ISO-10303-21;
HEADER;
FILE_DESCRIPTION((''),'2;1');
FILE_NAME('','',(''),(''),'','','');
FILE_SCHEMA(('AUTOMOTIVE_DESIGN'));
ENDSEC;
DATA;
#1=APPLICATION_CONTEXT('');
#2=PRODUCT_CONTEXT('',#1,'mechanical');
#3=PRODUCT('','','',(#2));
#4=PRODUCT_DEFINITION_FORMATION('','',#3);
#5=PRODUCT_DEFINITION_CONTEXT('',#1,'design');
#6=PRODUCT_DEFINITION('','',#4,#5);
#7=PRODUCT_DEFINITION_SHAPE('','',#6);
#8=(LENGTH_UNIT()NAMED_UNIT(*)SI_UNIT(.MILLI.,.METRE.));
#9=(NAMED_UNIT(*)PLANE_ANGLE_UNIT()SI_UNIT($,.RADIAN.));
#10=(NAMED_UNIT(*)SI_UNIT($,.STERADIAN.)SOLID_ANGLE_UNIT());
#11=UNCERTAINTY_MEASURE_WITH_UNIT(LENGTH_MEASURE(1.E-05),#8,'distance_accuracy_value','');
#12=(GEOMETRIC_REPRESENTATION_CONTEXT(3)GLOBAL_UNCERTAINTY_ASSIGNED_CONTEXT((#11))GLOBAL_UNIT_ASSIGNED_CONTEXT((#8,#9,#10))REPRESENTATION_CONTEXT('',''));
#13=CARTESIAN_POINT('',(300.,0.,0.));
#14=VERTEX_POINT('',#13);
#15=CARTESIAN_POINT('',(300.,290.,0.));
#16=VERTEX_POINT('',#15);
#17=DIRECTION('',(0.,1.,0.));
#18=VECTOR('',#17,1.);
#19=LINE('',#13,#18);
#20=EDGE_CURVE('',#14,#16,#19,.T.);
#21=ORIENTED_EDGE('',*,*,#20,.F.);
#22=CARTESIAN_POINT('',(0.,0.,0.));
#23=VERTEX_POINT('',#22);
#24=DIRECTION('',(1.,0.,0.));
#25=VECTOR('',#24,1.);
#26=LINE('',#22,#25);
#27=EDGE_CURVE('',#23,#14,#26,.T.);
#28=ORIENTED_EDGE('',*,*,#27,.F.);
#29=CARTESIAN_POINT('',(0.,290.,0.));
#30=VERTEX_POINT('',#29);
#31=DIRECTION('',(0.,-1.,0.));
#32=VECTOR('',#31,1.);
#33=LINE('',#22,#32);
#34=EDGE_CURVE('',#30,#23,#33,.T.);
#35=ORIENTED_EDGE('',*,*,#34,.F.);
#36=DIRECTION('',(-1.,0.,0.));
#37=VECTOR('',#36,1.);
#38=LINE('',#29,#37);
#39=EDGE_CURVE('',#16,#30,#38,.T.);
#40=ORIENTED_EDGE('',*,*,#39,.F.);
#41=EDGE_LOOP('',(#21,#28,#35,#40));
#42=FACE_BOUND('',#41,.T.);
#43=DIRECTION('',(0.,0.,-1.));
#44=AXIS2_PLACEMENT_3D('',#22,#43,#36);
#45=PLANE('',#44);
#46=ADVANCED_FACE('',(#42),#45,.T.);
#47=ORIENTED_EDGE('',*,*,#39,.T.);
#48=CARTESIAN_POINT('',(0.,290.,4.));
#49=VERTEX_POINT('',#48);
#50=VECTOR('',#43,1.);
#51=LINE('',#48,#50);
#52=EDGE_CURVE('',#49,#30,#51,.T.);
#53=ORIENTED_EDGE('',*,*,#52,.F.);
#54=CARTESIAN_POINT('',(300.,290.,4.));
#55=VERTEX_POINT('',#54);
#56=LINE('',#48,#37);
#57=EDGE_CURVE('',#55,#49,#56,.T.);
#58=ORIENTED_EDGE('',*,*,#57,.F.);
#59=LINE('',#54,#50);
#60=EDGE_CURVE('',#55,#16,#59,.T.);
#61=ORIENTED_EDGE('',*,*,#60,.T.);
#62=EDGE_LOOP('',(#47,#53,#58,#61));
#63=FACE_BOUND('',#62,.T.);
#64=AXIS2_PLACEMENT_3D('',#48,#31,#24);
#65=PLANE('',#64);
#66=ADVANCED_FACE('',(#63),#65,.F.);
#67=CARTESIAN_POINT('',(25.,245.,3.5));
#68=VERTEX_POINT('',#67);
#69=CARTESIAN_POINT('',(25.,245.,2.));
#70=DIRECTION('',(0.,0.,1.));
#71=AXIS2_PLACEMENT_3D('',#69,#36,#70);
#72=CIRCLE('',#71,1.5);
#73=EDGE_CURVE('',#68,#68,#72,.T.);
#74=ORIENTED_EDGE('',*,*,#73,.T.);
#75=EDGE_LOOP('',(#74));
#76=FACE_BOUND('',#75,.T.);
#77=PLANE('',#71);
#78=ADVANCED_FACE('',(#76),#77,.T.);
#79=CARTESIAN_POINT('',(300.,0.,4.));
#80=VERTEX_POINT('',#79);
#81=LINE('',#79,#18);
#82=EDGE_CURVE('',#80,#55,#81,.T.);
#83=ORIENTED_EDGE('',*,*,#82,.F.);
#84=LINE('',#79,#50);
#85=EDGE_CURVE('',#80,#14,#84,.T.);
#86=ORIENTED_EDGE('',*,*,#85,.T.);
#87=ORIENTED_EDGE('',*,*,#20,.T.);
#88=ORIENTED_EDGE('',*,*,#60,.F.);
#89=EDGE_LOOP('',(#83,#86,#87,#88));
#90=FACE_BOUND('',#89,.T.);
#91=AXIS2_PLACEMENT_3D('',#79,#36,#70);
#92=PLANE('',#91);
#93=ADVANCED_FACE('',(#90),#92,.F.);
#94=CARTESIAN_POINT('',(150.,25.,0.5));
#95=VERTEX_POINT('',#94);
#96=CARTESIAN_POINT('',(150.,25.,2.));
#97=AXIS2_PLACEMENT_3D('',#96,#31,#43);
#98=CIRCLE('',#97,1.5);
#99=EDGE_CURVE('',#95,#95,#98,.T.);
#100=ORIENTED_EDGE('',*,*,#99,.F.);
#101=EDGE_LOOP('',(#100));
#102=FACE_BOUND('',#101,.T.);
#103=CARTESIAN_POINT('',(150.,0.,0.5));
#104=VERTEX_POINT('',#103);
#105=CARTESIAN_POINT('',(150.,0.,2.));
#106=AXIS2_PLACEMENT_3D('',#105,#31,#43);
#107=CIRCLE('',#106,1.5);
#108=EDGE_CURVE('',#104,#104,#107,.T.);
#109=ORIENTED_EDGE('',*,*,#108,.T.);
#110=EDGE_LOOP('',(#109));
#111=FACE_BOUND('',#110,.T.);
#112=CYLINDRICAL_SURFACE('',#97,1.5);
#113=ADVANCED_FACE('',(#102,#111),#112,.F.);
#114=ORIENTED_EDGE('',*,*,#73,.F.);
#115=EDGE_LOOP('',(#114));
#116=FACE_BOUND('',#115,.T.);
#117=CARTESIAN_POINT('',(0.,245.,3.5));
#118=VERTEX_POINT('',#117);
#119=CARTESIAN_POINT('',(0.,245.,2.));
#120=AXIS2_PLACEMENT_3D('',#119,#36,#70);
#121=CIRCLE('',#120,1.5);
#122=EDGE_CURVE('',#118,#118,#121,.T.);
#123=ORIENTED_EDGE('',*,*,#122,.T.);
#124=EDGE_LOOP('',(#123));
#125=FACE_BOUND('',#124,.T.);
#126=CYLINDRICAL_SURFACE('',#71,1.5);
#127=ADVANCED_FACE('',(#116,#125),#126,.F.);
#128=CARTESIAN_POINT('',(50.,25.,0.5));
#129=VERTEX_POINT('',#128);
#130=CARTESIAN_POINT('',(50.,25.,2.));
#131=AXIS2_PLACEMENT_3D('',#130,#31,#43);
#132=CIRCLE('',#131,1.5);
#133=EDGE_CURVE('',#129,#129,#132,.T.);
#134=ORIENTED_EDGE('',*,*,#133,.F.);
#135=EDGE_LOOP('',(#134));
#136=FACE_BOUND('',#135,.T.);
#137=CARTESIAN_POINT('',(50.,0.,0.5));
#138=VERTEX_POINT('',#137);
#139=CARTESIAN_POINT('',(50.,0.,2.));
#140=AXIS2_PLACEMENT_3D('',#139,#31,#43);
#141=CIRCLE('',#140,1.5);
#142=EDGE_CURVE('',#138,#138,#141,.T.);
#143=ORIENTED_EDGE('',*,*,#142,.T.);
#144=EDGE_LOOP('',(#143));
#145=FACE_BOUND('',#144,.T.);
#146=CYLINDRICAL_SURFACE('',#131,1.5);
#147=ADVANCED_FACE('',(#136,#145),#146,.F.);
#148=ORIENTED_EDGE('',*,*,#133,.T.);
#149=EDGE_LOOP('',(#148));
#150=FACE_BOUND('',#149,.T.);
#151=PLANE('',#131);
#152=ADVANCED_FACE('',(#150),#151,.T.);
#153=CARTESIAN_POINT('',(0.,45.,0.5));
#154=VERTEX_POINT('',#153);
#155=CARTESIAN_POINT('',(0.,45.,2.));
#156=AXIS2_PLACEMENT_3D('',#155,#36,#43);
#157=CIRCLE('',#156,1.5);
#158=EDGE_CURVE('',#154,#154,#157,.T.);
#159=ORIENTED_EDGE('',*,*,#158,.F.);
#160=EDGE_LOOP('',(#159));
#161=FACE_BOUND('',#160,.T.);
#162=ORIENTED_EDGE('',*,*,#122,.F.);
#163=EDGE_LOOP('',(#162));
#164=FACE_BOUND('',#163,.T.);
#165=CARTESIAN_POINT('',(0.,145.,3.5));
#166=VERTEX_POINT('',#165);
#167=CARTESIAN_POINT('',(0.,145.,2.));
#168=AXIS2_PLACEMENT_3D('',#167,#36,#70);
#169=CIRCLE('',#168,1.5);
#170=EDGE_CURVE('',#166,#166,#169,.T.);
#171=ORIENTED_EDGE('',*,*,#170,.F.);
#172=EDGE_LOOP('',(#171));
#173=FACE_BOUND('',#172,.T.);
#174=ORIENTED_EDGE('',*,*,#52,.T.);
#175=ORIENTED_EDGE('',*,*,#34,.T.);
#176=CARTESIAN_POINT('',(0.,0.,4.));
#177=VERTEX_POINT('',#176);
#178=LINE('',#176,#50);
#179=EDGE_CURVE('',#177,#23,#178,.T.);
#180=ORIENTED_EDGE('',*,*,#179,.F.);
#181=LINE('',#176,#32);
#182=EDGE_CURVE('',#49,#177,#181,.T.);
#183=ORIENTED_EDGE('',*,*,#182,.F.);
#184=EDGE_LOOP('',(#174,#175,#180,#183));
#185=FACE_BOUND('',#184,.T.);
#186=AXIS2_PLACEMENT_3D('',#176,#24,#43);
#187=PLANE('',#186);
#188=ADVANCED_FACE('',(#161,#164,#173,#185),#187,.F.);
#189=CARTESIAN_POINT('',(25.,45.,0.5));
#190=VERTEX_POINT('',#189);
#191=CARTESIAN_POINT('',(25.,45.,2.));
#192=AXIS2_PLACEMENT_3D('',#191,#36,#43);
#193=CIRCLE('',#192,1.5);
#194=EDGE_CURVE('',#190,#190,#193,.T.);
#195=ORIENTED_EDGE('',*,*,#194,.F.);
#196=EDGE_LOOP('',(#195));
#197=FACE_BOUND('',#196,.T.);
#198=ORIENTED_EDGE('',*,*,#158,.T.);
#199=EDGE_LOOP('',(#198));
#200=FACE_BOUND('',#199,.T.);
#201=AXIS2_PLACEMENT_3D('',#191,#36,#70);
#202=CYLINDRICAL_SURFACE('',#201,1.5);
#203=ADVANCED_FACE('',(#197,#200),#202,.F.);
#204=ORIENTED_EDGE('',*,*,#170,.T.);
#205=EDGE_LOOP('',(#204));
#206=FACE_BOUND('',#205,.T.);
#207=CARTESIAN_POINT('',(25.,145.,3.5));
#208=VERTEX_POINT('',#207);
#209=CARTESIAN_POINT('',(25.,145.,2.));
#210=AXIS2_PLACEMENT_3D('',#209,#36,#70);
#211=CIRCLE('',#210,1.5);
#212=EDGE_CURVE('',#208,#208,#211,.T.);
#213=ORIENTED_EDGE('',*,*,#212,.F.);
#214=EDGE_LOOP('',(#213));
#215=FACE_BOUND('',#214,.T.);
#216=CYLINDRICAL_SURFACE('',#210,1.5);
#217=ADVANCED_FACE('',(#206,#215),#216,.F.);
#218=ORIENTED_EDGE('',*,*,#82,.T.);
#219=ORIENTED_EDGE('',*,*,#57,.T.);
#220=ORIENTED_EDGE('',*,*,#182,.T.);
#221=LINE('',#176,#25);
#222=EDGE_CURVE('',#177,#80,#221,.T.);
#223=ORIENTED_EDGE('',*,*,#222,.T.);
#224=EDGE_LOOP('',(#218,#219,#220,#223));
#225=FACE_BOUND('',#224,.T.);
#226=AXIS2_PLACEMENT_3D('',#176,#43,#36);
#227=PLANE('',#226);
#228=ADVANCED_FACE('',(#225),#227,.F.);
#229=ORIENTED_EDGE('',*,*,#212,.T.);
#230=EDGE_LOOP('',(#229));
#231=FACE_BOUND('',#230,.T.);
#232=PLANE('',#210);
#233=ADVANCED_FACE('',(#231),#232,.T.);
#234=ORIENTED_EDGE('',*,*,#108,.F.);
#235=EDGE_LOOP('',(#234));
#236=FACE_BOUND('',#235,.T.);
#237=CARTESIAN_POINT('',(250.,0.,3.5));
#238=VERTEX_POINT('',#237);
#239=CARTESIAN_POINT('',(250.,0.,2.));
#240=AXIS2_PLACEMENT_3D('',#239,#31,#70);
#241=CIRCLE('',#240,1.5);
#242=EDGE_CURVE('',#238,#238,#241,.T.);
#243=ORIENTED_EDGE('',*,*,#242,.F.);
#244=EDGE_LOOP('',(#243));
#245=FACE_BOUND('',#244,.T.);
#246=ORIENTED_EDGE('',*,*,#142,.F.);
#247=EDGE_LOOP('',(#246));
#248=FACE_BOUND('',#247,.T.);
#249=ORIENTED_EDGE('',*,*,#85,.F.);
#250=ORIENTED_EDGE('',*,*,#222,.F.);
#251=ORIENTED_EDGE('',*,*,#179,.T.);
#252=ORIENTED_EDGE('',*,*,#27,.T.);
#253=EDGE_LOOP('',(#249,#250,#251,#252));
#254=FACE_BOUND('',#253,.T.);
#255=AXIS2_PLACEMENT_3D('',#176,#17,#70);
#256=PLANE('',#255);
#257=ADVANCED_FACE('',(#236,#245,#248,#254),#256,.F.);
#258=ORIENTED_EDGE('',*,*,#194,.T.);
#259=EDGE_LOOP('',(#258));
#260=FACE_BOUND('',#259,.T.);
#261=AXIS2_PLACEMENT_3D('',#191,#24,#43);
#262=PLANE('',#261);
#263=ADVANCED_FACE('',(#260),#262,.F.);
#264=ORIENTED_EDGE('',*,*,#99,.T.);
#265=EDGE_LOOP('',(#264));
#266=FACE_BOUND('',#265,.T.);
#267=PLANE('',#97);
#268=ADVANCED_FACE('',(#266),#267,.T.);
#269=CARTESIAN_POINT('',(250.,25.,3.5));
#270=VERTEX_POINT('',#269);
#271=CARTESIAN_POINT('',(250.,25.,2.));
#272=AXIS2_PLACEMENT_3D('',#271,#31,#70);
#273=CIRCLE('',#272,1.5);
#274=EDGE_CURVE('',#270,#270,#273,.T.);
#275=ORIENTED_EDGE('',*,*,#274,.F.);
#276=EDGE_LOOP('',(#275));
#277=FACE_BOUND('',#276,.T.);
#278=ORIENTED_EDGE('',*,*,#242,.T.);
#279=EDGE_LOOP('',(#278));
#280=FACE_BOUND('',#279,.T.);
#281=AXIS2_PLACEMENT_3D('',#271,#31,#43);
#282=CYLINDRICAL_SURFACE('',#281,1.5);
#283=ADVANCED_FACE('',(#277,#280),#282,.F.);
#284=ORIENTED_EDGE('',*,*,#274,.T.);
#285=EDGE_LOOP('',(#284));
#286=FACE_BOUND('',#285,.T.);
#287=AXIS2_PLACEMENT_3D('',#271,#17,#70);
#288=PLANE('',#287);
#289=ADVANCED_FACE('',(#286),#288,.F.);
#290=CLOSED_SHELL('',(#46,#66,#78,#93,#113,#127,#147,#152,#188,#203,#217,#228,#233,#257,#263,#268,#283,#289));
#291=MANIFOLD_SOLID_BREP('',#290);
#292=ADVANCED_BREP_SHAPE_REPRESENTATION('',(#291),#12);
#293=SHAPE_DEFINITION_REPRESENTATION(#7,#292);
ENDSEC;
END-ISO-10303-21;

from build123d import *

# Parameters (mm, degrees)
SKETCH1_W           = 300
SKETCH1_H           = 300
BOSS_EXTRUDE1_DEPTH = 4
SKETCH2_R           = 1.5
CUT_EXTRUDE1_DEPTH  = 25
SKETCH3_W           = 300
SKETCH3_H           = 10
CUT_EXTRUDE2_DEPTH  = 5
SKETCH4_R           = 1.5
CUT_EXTRUDE3_DEPTH  = 25


with BuildPart() as part:
    # Sketch1 → Boss-Extrude1 (new body)
    with BuildSketch(Plane.XY):
        with Locations((150, 150)):
            Rectangle(SKETCH1_W, SKETCH1_H)
    extrude(amount=BOSS_EXTRUDE1_DEPTH)

    # Sketch2 → Cut-Extrude1 (cut)
    with BuildSketch(Plane(origin=(0, 0, 0), x_dir=(-1, 0, 0), z_dir=(0, -1, 0))):
        with Locations((-50, -2)):
            Circle(SKETCH2_R)
        with Locations((-250, -2)):
            Circle(SKETCH2_R)
        with Locations((-150, -2)):
            Circle(SKETCH2_R)
    extrude(amount=-CUT_EXTRUDE1_DEPTH, mode=Mode.SUBTRACT)

    # Sketch3 → Cut-Extrude2 (cut, through all)
    with BuildSketch(Plane(origin=(0, 0, 0), x_dir=(-1, 0, 0), z_dir=(0, 0, -1))):
        with Locations((-150, 295)):
            Rectangle(SKETCH3_W, SKETCH3_H)
    extrude(amount=-CUT_EXTRUDE2_DEPTH, mode=Mode.SUBTRACT)

    # Sketch4 → Cut-Extrude3 (cut)
    with BuildSketch(Plane.ZY):
        with Locations((2, 245)):
            Circle(SKETCH4_R)
        with Locations((2, 45)):
            Circle(SKETCH4_R)
        with Locations((2, 145)):
            Circle(SKETCH4_R)
    extrude(amount=-CUT_EXTRUDE3_DEPTH, mode=Mode.SUBTRACT)


solid = part.part
